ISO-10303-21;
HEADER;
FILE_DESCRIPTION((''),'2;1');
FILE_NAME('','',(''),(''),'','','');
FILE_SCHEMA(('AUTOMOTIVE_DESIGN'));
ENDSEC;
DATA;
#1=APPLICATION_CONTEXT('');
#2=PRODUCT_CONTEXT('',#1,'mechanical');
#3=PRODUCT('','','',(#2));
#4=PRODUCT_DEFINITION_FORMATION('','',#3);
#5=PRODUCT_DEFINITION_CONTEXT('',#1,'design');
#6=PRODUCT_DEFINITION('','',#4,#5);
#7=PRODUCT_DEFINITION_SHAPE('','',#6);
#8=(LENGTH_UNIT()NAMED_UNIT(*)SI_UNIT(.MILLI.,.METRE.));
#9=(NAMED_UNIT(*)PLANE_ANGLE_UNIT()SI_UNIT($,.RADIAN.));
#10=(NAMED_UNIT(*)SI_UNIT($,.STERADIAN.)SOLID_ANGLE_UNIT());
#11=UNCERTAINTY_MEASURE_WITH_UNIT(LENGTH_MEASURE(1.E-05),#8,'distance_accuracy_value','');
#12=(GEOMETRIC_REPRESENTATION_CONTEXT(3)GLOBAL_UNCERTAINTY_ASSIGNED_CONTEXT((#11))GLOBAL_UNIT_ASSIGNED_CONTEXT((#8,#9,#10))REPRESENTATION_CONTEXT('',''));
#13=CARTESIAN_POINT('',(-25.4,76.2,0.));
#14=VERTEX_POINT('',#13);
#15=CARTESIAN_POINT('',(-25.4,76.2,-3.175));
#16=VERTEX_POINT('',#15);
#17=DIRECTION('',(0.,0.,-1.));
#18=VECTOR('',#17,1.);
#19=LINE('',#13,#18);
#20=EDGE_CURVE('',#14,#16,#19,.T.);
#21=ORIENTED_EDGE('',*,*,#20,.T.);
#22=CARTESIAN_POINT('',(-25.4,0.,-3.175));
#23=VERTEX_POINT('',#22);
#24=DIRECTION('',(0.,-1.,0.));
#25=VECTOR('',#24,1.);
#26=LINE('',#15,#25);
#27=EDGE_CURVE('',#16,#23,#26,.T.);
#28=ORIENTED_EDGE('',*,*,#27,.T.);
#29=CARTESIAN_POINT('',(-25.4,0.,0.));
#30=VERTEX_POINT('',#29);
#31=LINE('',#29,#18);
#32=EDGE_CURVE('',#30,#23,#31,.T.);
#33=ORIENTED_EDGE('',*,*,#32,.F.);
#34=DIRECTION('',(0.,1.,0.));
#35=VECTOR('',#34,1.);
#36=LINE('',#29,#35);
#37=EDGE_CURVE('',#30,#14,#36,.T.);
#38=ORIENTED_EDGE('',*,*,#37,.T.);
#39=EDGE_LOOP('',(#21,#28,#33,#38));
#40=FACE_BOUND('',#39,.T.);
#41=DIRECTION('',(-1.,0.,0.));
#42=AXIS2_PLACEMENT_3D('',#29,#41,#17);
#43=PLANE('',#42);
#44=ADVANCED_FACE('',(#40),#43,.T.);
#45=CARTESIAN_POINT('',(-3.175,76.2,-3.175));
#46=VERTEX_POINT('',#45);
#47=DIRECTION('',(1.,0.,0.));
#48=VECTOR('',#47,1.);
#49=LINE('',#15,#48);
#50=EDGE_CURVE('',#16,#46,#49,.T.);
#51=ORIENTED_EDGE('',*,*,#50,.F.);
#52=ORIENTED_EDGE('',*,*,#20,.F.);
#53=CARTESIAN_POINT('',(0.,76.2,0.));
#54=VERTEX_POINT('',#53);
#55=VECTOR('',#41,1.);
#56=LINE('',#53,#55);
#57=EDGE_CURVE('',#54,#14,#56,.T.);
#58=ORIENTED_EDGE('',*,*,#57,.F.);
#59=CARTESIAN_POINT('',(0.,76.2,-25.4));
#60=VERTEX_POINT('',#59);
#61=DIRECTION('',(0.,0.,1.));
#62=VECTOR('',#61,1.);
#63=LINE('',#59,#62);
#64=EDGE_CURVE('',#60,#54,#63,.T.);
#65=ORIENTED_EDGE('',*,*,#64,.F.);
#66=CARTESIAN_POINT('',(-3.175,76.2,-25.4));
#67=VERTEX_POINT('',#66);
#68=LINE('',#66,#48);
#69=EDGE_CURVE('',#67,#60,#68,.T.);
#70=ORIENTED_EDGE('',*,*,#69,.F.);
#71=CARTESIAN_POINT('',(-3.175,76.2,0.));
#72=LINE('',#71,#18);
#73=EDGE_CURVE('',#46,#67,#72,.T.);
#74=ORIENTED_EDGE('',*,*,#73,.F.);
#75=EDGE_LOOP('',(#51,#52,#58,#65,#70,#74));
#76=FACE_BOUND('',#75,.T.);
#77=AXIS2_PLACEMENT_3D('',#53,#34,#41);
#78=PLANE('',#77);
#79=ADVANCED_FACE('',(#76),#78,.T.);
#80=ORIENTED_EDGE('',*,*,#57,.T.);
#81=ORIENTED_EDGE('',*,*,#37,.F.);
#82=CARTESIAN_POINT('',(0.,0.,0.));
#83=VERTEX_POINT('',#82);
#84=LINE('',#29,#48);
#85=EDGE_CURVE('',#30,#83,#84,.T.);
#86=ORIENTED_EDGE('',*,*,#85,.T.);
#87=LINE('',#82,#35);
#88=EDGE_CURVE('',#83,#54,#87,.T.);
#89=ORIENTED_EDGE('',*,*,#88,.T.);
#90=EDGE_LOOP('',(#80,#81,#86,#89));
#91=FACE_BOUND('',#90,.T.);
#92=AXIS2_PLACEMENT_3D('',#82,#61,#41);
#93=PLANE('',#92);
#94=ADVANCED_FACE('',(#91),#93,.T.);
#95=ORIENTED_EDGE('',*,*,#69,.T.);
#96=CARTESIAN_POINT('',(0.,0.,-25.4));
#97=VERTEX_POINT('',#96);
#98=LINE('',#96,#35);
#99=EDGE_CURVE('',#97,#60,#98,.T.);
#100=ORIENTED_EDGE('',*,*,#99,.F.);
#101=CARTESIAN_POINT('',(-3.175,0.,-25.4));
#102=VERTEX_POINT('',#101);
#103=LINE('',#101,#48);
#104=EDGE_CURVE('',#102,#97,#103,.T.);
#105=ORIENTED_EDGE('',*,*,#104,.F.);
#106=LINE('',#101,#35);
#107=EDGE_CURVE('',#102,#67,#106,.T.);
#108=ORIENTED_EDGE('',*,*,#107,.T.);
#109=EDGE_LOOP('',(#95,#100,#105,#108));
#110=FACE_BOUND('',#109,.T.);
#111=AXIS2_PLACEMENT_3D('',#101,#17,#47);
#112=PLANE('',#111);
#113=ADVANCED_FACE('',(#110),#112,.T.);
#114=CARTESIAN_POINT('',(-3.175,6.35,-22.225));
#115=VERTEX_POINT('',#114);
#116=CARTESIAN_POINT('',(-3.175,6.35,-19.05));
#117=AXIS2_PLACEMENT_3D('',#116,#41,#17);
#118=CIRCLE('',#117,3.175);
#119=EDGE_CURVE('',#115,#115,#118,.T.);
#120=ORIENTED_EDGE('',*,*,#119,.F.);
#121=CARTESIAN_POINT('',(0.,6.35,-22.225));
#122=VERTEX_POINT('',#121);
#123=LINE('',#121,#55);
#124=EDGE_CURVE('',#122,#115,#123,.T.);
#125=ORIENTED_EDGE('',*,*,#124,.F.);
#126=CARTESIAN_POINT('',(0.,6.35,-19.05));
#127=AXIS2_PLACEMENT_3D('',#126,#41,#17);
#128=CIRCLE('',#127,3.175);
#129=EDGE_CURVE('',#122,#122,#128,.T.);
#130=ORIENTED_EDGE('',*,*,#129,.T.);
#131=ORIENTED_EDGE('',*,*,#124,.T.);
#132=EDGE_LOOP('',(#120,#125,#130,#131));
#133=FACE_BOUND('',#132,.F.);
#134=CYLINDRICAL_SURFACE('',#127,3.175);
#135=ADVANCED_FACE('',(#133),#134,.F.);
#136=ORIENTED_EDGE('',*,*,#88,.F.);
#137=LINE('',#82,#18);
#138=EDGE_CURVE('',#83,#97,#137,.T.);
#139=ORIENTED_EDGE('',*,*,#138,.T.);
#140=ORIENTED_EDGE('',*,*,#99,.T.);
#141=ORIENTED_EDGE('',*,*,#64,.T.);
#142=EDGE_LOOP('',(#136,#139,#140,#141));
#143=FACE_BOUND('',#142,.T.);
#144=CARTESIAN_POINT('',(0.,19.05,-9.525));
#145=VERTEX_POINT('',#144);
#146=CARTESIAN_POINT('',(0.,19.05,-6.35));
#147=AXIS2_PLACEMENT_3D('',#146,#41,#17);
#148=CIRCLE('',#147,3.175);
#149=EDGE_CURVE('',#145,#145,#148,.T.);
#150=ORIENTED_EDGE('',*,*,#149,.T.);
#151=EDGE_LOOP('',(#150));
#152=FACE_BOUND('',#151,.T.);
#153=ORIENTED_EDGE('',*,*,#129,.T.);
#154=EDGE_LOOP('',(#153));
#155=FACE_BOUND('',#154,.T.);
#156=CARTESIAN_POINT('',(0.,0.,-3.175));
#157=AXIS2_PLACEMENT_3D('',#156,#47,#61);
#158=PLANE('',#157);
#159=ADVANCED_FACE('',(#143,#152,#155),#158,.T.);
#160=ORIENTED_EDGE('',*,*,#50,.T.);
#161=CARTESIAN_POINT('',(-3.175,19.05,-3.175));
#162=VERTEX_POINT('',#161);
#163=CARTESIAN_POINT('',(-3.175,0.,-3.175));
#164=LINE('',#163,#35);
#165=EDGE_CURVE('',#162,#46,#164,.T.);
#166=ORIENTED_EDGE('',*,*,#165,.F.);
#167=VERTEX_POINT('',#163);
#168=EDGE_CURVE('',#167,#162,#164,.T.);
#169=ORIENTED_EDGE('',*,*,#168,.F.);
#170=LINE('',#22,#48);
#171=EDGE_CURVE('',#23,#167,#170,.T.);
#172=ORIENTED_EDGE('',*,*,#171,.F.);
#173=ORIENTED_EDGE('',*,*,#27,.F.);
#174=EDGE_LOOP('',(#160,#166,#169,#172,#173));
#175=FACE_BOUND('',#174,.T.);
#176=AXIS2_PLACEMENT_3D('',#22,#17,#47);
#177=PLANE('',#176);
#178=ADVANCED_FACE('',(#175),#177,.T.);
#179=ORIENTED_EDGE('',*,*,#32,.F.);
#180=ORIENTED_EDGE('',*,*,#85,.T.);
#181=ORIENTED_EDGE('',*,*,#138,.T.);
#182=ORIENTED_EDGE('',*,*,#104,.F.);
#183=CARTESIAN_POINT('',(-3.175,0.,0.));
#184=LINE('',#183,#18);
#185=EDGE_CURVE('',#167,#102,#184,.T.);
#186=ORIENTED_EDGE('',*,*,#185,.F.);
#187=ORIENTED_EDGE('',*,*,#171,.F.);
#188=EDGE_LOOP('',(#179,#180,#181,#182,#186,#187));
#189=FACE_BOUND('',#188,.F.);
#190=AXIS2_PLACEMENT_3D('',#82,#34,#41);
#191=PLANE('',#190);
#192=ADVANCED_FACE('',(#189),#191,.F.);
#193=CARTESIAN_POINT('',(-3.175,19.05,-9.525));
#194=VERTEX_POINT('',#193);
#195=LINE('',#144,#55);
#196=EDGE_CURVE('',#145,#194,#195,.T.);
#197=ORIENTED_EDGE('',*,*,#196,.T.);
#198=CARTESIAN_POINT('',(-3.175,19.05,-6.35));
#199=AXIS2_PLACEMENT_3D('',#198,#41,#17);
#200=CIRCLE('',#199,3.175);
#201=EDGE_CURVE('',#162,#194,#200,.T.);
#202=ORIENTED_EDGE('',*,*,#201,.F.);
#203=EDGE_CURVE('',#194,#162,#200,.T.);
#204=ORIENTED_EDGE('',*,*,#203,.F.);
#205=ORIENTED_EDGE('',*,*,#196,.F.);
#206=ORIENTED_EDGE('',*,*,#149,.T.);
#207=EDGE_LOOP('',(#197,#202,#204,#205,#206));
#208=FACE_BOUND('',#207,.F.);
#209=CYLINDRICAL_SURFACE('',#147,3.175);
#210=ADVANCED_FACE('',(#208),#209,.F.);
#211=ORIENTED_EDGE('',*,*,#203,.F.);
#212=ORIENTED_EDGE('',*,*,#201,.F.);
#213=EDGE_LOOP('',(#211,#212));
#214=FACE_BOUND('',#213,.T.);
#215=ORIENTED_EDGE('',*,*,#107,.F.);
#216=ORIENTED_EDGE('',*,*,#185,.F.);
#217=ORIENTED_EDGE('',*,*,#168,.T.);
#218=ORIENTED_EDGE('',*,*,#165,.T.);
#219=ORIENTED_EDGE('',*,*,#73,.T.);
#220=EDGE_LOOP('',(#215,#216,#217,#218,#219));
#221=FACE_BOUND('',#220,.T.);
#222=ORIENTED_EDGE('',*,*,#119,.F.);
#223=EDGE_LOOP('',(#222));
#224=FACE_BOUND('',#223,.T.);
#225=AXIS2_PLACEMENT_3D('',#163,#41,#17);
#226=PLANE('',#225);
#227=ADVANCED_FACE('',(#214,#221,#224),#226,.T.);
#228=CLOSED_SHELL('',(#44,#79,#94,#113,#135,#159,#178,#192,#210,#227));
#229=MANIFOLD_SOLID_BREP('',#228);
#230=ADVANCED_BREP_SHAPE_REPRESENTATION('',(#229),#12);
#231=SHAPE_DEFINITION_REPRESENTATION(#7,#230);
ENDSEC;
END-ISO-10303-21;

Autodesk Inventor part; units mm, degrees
ref_plane "YZ Plane" through (0, 0, 0) normal (1, 0, 0) x (0, 1, 0)
ref_plane "XZ Plane" through (0, 0, 0) normal (0, 1, 0) x (-1, 0, 0)
ref_plane "XY Plane" through (0, 0, 0) normal (0, 0, 1) x (1, 0, 0)
sketch "Sketch1" plane through (0, 0, 0) normal (0, 1, 0) x (-1, 0, 0)
  line L0 (0, 0) -> (25.4, 0)
  line L1 (25.4, 0) -> (25.4, -3.175)
  line L2 (25.4, -3.175) -> (0, -3.175)
  line L3 (0, -3.175) -> (0, 0)
  line L4 (0, 0) -> (3.175, 0)
  line L5 (3.175, 0) -> (3.175, -25.4)
  line L6 (3.175, -25.4) -> (0, -25.4)
  line L7 (0, -25.4) -> (0, 0)
  dimension "d0" = 25.4
  dimension "d1" = 3.175
  dimension "d2" = 3.175
  dimension "d3" = 25.4
extrude "Extrusion1" add sketch "Sketch1" along normal blind 76.2
sketch "Sketch2" plane through (0, 0, 0) normal (1, 0, 0) x (0, 0, -1)
  line L0 (0, 0) -> (25.4, 0) projected
  line L1 (25.4, 0) -> (25.4, 76.2) projected
  point P0 (19.05, 6.35)
  point P1 (6.35, 19.05)
  dimension "d6" = 6.35
  dimension "d7" = 6.35
  dimension "d8" = 19.05
  dimension "d9" = 19.05
hole "Hole1" at (0, 6.35, -19.05) at (0, 19.05, -6.35) direction (-1, 0, 0) diameter 6.35 end through all
properties part number "1x1 angle mechanical stop"
